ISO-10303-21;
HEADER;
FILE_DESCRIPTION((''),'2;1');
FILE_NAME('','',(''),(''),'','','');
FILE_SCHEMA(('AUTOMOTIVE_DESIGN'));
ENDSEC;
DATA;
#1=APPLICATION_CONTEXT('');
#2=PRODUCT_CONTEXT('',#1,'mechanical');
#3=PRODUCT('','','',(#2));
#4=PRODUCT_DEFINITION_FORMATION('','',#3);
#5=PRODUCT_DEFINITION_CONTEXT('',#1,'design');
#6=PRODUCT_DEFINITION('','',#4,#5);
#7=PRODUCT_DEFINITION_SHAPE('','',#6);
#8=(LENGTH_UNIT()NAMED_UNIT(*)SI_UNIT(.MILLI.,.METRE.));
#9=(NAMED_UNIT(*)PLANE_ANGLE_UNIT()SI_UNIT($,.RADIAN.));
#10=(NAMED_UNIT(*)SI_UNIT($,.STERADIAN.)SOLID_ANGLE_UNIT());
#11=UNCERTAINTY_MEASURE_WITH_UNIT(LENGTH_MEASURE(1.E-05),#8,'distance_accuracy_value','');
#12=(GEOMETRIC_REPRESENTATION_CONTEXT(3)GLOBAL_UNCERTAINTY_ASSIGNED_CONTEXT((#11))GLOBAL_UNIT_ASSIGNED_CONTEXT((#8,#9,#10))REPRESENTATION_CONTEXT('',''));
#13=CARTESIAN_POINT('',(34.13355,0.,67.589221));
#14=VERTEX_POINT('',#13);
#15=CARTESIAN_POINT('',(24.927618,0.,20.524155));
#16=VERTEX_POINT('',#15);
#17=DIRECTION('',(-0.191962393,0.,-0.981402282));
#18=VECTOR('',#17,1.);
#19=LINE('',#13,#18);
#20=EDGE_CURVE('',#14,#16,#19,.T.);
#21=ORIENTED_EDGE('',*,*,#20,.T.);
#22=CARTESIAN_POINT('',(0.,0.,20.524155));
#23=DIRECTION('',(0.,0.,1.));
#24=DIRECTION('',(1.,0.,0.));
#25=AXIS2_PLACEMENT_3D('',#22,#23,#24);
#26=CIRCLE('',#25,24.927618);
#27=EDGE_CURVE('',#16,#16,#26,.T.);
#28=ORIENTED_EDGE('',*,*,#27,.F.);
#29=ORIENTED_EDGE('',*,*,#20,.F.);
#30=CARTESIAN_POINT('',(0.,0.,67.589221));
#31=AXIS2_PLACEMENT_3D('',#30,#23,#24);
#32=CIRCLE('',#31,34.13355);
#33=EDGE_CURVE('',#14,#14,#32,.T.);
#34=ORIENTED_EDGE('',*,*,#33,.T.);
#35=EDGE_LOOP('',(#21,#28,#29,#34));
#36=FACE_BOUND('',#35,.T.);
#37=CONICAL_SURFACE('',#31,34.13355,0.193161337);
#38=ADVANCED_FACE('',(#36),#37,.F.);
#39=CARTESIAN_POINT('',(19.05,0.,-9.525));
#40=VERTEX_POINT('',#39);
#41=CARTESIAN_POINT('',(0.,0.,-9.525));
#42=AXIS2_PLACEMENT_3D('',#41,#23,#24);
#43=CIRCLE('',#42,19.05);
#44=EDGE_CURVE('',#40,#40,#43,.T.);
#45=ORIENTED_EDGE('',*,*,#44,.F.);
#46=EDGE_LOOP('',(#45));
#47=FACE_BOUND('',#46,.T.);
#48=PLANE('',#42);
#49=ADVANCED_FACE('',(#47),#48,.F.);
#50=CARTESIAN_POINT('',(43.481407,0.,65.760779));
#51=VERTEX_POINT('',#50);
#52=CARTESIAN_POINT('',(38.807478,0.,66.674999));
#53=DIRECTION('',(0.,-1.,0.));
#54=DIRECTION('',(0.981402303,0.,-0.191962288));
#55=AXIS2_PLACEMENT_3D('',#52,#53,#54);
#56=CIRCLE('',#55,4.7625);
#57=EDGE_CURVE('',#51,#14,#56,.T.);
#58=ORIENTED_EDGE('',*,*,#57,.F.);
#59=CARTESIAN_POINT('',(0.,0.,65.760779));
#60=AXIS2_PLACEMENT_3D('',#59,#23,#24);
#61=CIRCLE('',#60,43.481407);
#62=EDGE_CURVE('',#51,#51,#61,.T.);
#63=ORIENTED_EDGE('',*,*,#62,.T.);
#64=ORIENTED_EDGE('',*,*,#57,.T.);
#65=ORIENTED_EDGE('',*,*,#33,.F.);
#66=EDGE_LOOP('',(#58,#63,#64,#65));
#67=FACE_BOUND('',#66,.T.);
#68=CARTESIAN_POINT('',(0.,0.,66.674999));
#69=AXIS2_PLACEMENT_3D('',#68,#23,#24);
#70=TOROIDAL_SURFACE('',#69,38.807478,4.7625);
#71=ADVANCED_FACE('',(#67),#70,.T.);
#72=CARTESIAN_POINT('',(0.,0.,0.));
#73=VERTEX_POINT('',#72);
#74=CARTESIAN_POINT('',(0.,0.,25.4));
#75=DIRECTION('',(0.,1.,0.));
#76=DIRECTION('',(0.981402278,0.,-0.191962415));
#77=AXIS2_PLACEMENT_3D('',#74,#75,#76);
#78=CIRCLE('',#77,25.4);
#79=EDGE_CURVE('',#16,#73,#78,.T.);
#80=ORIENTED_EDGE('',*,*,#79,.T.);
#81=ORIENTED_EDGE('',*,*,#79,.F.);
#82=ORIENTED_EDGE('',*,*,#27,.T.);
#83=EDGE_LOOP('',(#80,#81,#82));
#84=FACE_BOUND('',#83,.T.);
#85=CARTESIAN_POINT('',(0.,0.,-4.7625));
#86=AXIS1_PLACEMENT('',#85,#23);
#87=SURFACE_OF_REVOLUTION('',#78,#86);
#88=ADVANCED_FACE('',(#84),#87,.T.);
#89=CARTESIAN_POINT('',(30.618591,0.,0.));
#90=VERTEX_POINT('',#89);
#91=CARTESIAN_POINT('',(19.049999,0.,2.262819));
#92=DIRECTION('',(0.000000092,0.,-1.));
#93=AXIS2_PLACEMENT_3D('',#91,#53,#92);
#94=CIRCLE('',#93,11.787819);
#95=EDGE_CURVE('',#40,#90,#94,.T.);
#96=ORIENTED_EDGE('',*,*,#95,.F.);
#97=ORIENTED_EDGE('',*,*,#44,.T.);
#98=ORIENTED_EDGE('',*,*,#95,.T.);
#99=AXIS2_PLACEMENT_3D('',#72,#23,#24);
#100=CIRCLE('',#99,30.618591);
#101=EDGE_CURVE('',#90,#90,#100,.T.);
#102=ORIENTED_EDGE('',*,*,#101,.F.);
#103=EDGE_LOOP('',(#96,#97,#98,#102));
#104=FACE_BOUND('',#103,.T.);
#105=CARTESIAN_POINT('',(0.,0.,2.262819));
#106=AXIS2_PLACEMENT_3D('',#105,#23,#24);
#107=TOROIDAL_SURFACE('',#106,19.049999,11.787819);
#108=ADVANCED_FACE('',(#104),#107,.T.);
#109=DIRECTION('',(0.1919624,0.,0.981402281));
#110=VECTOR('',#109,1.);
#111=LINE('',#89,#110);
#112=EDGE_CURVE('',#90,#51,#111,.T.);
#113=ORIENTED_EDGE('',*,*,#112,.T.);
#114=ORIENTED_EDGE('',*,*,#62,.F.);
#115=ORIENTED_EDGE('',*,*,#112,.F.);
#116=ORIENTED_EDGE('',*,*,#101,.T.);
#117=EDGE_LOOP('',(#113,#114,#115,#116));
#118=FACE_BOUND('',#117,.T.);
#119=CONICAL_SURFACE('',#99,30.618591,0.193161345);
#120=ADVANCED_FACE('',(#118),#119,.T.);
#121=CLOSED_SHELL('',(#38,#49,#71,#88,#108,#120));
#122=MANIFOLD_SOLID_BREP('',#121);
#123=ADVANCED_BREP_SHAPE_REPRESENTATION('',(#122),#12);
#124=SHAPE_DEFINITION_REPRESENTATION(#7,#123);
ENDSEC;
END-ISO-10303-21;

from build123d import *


with BuildPart() as f1:
    # F0 (on Front) → F1 (revolve)
    with BuildSketch(Plane.XZ):
        with BuildLine():
            ThreePointArc((24.927618, 20.524155), (16.144868, 5.791246), (0, 0))
            Line((0, 0), (0, -9.525))
            Line((0, -9.525), (19.05, -9.525))
            ThreePointArc((19.05, -9.525), (26.542628, -6.837356), (30.618591, 0))
            Line((30.618591, 0), (43.481407, 65.760779))
            ThreePointArc((43.481407, 65.760779), (39.721699, 71.348928), (34.13355, 67.589221))
            Line((34.13355, 67.589221), (24.927618, 20.524155))
        make_face()
    revolve(axis=Axis((0, 0, -4.7625), (0, 0, 1)))


solid = f1.part
